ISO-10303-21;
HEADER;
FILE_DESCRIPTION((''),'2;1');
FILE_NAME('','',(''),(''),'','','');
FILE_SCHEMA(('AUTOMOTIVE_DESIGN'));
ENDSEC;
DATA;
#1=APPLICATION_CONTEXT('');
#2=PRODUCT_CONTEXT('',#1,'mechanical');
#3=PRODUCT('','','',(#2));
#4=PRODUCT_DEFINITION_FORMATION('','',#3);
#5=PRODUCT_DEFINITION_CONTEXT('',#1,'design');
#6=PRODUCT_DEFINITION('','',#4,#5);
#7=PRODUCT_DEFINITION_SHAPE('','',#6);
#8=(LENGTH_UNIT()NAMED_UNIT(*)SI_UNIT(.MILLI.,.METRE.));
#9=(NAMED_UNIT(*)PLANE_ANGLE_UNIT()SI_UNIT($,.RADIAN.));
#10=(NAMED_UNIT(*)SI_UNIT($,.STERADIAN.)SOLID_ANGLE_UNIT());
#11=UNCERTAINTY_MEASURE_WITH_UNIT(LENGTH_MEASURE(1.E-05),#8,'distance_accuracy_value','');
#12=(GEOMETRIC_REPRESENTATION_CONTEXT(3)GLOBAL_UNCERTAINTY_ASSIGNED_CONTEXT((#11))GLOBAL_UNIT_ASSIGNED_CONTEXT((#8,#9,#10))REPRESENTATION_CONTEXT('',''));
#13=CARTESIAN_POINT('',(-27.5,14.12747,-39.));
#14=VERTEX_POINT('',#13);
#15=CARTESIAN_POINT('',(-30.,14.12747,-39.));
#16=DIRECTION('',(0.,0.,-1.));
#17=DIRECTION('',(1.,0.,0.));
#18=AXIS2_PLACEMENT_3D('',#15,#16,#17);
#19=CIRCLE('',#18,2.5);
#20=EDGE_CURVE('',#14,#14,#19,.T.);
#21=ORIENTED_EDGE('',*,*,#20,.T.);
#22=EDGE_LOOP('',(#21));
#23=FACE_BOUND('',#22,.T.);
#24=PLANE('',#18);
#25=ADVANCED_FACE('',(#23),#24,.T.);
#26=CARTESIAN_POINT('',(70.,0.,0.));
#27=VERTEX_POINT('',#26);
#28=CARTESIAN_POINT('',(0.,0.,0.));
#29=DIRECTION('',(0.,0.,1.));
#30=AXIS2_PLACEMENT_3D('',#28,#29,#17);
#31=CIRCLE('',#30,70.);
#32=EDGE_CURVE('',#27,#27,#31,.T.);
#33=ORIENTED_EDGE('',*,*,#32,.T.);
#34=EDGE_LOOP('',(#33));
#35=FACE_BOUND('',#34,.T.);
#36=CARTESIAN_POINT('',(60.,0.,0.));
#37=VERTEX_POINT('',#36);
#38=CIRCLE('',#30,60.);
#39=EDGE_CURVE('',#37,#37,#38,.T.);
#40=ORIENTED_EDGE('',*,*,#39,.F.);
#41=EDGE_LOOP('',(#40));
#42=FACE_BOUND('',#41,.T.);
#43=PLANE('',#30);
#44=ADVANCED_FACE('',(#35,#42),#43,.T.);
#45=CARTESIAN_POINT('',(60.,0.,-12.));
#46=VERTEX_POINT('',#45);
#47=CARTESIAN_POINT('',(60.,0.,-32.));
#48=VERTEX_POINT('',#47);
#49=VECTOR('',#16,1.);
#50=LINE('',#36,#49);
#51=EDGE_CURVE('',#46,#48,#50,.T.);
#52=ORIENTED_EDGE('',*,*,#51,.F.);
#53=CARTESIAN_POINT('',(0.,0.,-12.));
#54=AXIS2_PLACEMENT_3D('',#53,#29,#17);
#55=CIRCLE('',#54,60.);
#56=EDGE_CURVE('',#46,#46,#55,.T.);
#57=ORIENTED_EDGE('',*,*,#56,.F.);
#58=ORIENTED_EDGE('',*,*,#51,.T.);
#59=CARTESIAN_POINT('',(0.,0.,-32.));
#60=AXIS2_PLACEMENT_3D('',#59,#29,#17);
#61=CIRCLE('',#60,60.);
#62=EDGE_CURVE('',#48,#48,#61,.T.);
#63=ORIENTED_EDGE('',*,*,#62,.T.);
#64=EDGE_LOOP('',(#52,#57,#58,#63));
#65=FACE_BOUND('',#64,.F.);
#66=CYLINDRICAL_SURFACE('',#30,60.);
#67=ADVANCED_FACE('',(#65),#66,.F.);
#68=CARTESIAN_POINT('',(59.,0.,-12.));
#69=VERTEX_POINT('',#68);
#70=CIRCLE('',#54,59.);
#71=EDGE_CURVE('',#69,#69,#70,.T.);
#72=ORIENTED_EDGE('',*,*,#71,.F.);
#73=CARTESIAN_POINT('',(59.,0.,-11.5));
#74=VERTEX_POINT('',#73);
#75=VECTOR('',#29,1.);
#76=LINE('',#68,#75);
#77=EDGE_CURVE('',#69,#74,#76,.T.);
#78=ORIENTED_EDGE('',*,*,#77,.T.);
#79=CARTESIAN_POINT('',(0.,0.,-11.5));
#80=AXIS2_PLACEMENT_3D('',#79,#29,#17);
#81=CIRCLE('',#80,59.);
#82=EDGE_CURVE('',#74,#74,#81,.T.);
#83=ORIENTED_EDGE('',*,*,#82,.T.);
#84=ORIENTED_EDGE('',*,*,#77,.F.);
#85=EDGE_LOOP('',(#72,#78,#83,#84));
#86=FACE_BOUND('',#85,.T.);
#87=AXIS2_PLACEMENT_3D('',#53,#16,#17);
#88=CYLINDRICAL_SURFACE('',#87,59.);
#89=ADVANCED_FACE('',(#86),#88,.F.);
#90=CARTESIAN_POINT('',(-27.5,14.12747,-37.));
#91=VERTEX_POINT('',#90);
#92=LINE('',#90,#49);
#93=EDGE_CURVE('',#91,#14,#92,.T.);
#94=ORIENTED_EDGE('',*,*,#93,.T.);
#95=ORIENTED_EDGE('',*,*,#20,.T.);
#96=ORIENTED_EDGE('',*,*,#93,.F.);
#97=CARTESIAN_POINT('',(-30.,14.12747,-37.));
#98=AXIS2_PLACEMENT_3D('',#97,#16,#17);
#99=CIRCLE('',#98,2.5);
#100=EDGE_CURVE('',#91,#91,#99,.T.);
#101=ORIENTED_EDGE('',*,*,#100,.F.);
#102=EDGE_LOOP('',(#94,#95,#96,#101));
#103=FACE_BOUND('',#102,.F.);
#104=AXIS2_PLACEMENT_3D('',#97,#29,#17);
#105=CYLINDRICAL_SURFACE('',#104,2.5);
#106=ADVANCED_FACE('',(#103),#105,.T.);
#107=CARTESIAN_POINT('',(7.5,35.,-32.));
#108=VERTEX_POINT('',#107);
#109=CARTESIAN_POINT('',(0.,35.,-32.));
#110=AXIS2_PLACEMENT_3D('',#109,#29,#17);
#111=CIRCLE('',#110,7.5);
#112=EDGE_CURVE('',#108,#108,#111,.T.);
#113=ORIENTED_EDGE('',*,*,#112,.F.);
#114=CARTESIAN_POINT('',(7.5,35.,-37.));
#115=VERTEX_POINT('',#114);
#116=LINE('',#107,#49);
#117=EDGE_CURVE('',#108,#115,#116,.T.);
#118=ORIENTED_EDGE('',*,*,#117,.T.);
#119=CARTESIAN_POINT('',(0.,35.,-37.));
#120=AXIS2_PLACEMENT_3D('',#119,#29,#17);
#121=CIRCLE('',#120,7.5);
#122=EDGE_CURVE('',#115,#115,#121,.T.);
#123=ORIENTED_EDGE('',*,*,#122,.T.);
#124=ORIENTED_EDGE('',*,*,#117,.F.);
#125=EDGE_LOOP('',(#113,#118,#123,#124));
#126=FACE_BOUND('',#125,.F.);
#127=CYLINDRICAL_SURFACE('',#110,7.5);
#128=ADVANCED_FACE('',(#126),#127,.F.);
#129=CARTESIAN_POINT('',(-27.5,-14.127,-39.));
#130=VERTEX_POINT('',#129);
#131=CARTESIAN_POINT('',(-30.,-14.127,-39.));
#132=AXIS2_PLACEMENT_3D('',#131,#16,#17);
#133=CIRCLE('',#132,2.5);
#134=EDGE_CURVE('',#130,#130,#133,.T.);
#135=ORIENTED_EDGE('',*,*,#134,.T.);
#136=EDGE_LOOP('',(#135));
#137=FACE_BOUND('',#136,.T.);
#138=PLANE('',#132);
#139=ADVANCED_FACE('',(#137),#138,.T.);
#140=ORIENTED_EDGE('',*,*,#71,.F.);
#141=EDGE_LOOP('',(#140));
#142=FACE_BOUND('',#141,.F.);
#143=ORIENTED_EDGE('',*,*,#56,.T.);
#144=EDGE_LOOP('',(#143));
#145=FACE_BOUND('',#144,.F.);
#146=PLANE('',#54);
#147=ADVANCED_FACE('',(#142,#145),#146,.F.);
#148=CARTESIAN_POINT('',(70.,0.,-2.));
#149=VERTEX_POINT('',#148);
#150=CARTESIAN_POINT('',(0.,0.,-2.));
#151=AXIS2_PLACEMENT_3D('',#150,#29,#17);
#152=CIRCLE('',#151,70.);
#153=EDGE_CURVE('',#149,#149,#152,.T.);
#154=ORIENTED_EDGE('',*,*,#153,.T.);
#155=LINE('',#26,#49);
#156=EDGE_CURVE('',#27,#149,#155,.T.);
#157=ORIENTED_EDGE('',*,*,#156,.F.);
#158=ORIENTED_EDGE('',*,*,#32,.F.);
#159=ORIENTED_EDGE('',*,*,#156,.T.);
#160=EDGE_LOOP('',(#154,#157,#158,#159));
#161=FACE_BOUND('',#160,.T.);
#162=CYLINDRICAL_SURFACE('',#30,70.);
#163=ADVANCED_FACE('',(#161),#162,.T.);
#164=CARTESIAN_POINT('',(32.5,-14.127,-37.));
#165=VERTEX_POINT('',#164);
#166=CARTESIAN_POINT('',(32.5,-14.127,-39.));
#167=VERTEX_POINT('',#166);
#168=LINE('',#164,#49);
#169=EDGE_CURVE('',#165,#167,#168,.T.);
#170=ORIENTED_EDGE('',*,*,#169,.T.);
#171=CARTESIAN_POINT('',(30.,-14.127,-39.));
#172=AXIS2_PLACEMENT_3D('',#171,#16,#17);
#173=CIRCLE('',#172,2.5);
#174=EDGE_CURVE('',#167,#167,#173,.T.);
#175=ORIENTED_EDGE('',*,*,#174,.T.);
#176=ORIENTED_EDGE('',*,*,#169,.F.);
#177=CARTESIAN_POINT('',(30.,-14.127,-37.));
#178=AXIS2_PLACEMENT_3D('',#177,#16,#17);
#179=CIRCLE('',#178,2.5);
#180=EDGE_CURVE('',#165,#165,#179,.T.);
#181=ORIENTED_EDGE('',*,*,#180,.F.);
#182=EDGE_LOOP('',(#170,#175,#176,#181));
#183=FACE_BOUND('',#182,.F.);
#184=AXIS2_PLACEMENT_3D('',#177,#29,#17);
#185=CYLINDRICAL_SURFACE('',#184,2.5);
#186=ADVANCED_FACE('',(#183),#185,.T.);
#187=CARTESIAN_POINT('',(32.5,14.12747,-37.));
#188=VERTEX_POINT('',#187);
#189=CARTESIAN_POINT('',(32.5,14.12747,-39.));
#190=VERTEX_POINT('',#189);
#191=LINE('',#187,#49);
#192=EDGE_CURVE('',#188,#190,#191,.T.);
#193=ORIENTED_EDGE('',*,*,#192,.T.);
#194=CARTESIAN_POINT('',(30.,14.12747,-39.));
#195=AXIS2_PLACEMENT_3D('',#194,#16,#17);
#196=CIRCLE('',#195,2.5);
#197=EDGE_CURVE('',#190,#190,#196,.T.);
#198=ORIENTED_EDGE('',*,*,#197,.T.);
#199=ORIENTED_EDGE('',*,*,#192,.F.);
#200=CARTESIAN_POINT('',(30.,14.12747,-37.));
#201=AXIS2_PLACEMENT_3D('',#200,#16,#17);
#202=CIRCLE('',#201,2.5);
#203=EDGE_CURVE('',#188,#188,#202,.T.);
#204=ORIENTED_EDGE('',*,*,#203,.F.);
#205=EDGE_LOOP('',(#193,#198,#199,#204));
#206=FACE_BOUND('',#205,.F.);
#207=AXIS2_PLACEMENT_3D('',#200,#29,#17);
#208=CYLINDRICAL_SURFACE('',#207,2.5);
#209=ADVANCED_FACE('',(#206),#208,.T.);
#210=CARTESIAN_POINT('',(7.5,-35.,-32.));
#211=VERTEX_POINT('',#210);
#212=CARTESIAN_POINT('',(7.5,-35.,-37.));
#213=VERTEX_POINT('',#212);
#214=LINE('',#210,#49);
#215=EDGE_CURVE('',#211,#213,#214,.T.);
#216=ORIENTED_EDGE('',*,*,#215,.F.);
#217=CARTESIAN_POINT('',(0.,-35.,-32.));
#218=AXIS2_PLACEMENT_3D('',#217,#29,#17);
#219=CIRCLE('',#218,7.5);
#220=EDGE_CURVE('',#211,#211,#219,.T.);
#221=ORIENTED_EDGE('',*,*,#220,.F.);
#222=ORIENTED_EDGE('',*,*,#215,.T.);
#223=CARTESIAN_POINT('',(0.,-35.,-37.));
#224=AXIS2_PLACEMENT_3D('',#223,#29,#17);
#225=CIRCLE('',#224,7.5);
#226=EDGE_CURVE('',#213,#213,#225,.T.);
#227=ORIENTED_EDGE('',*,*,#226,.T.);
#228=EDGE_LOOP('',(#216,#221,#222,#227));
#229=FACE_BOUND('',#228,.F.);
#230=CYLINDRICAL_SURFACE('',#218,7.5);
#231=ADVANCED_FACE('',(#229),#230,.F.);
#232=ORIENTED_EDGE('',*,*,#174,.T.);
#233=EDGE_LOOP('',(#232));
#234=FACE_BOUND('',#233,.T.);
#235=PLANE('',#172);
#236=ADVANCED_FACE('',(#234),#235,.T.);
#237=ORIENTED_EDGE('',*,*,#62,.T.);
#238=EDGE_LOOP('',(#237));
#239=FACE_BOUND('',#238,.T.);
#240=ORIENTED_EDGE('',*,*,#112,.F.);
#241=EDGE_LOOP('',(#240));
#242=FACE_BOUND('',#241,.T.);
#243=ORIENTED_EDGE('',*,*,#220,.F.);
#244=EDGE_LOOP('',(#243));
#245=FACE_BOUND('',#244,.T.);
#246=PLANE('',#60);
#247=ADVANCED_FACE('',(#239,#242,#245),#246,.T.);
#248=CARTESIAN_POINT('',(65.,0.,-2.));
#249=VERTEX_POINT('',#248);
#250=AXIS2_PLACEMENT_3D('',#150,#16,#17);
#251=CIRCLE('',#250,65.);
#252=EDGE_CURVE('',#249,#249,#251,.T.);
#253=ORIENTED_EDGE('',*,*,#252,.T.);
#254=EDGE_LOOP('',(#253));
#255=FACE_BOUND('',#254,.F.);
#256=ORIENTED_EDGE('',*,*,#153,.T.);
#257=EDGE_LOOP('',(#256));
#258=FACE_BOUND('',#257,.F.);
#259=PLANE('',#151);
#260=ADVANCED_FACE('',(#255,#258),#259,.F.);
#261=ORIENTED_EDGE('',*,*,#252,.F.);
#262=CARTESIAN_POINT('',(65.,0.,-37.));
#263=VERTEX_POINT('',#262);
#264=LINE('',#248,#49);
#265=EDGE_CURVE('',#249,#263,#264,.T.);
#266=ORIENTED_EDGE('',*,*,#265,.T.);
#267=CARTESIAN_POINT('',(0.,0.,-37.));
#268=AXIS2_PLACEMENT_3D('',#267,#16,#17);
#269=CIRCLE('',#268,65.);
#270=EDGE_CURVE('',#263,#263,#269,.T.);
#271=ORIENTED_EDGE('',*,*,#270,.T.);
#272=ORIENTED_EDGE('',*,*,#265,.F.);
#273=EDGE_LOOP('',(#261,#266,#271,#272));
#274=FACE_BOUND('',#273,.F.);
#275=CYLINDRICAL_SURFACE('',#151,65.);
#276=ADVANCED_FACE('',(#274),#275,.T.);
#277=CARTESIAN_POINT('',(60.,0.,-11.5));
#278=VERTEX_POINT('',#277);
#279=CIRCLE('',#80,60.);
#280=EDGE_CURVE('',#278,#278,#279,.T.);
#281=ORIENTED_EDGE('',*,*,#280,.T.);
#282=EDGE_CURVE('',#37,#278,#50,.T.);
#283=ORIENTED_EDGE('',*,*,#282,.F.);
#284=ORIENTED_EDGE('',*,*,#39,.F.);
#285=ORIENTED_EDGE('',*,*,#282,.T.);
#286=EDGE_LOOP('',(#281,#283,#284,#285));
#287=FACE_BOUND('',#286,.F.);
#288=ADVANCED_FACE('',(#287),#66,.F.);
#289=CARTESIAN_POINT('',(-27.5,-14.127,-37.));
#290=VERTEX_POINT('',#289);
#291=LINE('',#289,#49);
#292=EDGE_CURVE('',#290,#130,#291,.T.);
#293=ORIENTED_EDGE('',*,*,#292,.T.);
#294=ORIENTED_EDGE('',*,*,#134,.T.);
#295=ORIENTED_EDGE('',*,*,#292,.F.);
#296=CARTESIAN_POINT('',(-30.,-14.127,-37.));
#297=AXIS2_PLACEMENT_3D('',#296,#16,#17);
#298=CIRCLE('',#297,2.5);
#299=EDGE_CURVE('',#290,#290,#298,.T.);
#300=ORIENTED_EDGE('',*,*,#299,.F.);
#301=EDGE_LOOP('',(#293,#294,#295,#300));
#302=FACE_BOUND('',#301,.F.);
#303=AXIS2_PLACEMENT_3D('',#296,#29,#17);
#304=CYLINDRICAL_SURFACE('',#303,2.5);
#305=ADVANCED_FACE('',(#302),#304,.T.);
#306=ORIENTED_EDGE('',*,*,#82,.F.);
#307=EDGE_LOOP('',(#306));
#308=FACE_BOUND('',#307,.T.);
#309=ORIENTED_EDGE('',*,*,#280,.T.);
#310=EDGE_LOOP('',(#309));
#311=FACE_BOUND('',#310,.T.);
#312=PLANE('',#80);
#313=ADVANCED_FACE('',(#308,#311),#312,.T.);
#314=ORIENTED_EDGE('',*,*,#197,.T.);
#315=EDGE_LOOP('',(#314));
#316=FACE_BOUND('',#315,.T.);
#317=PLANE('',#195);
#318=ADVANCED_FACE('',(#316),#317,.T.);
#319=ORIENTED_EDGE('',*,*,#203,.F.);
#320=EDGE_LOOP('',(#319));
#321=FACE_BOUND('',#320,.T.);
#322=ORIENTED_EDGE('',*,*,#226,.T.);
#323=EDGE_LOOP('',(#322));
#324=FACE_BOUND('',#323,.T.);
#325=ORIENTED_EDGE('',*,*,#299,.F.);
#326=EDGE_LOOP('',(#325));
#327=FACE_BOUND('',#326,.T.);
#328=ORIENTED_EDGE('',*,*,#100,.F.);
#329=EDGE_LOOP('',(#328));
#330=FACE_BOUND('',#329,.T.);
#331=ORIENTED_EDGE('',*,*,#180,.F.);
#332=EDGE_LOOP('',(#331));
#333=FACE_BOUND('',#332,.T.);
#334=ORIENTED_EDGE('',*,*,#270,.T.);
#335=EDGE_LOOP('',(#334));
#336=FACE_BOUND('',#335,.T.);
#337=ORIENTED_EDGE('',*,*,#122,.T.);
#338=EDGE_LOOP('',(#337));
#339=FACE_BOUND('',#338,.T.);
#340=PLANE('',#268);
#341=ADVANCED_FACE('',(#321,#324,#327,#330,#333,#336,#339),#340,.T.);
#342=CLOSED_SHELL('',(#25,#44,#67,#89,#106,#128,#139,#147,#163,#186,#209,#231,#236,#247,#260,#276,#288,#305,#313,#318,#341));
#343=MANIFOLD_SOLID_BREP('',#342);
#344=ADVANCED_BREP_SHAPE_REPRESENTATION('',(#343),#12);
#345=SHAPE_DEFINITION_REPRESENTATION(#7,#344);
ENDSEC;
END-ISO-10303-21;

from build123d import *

# Parameters (mm, degrees)
F0_R      = 70
F1_DEPTH  = 2
F2_R      = 65
F3_DEPTH  = 35
F4_R      = 60
F5_DEPTH  = 32
F6_R      = 7.5
F7_DEPTH  = 5.001
F8_R      = 2.5
F9_DEPTH  = 2
F11_R     = 62.2
F11_R_2   = 59
F12_DEPTH = 0.5


with BuildPart() as f1:
    # F0 (on Top) → F1 (new body)
    with BuildSketch(Plane.XY):
        Circle(F0_R)
    extrude(amount=-F1_DEPTH)

    # F2 (on face) → F3 (join)
    with BuildSketch(Plane(origin=(0, 0, -2), x_dir=(1, 0, 0), z_dir=(0, 0, -1))):
        Circle(F2_R)
    extrude(amount=F3_DEPTH)

    # F4 (on face) → F5 (cut)
    with BuildSketch(Plane.XY):
        Circle(F4_R)
    extrude(amount=-F5_DEPTH, mode=Mode.SUBTRACT)

    # F6 (on face) → F7 (cut, through all)
    with BuildSketch(Plane.XY.offset(-32)):
        with Locations((0, -35)):
            Circle(F6_R)
        with Locations((0, 35)):
            Circle(F6_R)
    extrude(amount=-F7_DEPTH, mode=Mode.SUBTRACT)

    # F8 (on face) → F9 (join)
    with BuildSketch(Plane(origin=(0, 0, -37), x_dir=(1, 0, 0), z_dir=(0, 0, -1))):
        with Locations((-30, 14.127)):
            Circle(F8_R)
        with Locations((-30, -14.12747)):
            Circle(F8_R)
        with Locations((30, 14.127)):
            Circle(F8_R)
        with Locations((30, -14.12747)):
            Circle(F8_R)
    extrude(amount=F9_DEPTH)

    # F11 (on offset) → F12 (join)
    with BuildSketch(Plane.XY.offset(-12)):
        Circle(F11_R)
        Circle(F11_R_2, mode=Mode.SUBTRACT)
    extrude(amount=F12_DEPTH)


solid = f1.part
